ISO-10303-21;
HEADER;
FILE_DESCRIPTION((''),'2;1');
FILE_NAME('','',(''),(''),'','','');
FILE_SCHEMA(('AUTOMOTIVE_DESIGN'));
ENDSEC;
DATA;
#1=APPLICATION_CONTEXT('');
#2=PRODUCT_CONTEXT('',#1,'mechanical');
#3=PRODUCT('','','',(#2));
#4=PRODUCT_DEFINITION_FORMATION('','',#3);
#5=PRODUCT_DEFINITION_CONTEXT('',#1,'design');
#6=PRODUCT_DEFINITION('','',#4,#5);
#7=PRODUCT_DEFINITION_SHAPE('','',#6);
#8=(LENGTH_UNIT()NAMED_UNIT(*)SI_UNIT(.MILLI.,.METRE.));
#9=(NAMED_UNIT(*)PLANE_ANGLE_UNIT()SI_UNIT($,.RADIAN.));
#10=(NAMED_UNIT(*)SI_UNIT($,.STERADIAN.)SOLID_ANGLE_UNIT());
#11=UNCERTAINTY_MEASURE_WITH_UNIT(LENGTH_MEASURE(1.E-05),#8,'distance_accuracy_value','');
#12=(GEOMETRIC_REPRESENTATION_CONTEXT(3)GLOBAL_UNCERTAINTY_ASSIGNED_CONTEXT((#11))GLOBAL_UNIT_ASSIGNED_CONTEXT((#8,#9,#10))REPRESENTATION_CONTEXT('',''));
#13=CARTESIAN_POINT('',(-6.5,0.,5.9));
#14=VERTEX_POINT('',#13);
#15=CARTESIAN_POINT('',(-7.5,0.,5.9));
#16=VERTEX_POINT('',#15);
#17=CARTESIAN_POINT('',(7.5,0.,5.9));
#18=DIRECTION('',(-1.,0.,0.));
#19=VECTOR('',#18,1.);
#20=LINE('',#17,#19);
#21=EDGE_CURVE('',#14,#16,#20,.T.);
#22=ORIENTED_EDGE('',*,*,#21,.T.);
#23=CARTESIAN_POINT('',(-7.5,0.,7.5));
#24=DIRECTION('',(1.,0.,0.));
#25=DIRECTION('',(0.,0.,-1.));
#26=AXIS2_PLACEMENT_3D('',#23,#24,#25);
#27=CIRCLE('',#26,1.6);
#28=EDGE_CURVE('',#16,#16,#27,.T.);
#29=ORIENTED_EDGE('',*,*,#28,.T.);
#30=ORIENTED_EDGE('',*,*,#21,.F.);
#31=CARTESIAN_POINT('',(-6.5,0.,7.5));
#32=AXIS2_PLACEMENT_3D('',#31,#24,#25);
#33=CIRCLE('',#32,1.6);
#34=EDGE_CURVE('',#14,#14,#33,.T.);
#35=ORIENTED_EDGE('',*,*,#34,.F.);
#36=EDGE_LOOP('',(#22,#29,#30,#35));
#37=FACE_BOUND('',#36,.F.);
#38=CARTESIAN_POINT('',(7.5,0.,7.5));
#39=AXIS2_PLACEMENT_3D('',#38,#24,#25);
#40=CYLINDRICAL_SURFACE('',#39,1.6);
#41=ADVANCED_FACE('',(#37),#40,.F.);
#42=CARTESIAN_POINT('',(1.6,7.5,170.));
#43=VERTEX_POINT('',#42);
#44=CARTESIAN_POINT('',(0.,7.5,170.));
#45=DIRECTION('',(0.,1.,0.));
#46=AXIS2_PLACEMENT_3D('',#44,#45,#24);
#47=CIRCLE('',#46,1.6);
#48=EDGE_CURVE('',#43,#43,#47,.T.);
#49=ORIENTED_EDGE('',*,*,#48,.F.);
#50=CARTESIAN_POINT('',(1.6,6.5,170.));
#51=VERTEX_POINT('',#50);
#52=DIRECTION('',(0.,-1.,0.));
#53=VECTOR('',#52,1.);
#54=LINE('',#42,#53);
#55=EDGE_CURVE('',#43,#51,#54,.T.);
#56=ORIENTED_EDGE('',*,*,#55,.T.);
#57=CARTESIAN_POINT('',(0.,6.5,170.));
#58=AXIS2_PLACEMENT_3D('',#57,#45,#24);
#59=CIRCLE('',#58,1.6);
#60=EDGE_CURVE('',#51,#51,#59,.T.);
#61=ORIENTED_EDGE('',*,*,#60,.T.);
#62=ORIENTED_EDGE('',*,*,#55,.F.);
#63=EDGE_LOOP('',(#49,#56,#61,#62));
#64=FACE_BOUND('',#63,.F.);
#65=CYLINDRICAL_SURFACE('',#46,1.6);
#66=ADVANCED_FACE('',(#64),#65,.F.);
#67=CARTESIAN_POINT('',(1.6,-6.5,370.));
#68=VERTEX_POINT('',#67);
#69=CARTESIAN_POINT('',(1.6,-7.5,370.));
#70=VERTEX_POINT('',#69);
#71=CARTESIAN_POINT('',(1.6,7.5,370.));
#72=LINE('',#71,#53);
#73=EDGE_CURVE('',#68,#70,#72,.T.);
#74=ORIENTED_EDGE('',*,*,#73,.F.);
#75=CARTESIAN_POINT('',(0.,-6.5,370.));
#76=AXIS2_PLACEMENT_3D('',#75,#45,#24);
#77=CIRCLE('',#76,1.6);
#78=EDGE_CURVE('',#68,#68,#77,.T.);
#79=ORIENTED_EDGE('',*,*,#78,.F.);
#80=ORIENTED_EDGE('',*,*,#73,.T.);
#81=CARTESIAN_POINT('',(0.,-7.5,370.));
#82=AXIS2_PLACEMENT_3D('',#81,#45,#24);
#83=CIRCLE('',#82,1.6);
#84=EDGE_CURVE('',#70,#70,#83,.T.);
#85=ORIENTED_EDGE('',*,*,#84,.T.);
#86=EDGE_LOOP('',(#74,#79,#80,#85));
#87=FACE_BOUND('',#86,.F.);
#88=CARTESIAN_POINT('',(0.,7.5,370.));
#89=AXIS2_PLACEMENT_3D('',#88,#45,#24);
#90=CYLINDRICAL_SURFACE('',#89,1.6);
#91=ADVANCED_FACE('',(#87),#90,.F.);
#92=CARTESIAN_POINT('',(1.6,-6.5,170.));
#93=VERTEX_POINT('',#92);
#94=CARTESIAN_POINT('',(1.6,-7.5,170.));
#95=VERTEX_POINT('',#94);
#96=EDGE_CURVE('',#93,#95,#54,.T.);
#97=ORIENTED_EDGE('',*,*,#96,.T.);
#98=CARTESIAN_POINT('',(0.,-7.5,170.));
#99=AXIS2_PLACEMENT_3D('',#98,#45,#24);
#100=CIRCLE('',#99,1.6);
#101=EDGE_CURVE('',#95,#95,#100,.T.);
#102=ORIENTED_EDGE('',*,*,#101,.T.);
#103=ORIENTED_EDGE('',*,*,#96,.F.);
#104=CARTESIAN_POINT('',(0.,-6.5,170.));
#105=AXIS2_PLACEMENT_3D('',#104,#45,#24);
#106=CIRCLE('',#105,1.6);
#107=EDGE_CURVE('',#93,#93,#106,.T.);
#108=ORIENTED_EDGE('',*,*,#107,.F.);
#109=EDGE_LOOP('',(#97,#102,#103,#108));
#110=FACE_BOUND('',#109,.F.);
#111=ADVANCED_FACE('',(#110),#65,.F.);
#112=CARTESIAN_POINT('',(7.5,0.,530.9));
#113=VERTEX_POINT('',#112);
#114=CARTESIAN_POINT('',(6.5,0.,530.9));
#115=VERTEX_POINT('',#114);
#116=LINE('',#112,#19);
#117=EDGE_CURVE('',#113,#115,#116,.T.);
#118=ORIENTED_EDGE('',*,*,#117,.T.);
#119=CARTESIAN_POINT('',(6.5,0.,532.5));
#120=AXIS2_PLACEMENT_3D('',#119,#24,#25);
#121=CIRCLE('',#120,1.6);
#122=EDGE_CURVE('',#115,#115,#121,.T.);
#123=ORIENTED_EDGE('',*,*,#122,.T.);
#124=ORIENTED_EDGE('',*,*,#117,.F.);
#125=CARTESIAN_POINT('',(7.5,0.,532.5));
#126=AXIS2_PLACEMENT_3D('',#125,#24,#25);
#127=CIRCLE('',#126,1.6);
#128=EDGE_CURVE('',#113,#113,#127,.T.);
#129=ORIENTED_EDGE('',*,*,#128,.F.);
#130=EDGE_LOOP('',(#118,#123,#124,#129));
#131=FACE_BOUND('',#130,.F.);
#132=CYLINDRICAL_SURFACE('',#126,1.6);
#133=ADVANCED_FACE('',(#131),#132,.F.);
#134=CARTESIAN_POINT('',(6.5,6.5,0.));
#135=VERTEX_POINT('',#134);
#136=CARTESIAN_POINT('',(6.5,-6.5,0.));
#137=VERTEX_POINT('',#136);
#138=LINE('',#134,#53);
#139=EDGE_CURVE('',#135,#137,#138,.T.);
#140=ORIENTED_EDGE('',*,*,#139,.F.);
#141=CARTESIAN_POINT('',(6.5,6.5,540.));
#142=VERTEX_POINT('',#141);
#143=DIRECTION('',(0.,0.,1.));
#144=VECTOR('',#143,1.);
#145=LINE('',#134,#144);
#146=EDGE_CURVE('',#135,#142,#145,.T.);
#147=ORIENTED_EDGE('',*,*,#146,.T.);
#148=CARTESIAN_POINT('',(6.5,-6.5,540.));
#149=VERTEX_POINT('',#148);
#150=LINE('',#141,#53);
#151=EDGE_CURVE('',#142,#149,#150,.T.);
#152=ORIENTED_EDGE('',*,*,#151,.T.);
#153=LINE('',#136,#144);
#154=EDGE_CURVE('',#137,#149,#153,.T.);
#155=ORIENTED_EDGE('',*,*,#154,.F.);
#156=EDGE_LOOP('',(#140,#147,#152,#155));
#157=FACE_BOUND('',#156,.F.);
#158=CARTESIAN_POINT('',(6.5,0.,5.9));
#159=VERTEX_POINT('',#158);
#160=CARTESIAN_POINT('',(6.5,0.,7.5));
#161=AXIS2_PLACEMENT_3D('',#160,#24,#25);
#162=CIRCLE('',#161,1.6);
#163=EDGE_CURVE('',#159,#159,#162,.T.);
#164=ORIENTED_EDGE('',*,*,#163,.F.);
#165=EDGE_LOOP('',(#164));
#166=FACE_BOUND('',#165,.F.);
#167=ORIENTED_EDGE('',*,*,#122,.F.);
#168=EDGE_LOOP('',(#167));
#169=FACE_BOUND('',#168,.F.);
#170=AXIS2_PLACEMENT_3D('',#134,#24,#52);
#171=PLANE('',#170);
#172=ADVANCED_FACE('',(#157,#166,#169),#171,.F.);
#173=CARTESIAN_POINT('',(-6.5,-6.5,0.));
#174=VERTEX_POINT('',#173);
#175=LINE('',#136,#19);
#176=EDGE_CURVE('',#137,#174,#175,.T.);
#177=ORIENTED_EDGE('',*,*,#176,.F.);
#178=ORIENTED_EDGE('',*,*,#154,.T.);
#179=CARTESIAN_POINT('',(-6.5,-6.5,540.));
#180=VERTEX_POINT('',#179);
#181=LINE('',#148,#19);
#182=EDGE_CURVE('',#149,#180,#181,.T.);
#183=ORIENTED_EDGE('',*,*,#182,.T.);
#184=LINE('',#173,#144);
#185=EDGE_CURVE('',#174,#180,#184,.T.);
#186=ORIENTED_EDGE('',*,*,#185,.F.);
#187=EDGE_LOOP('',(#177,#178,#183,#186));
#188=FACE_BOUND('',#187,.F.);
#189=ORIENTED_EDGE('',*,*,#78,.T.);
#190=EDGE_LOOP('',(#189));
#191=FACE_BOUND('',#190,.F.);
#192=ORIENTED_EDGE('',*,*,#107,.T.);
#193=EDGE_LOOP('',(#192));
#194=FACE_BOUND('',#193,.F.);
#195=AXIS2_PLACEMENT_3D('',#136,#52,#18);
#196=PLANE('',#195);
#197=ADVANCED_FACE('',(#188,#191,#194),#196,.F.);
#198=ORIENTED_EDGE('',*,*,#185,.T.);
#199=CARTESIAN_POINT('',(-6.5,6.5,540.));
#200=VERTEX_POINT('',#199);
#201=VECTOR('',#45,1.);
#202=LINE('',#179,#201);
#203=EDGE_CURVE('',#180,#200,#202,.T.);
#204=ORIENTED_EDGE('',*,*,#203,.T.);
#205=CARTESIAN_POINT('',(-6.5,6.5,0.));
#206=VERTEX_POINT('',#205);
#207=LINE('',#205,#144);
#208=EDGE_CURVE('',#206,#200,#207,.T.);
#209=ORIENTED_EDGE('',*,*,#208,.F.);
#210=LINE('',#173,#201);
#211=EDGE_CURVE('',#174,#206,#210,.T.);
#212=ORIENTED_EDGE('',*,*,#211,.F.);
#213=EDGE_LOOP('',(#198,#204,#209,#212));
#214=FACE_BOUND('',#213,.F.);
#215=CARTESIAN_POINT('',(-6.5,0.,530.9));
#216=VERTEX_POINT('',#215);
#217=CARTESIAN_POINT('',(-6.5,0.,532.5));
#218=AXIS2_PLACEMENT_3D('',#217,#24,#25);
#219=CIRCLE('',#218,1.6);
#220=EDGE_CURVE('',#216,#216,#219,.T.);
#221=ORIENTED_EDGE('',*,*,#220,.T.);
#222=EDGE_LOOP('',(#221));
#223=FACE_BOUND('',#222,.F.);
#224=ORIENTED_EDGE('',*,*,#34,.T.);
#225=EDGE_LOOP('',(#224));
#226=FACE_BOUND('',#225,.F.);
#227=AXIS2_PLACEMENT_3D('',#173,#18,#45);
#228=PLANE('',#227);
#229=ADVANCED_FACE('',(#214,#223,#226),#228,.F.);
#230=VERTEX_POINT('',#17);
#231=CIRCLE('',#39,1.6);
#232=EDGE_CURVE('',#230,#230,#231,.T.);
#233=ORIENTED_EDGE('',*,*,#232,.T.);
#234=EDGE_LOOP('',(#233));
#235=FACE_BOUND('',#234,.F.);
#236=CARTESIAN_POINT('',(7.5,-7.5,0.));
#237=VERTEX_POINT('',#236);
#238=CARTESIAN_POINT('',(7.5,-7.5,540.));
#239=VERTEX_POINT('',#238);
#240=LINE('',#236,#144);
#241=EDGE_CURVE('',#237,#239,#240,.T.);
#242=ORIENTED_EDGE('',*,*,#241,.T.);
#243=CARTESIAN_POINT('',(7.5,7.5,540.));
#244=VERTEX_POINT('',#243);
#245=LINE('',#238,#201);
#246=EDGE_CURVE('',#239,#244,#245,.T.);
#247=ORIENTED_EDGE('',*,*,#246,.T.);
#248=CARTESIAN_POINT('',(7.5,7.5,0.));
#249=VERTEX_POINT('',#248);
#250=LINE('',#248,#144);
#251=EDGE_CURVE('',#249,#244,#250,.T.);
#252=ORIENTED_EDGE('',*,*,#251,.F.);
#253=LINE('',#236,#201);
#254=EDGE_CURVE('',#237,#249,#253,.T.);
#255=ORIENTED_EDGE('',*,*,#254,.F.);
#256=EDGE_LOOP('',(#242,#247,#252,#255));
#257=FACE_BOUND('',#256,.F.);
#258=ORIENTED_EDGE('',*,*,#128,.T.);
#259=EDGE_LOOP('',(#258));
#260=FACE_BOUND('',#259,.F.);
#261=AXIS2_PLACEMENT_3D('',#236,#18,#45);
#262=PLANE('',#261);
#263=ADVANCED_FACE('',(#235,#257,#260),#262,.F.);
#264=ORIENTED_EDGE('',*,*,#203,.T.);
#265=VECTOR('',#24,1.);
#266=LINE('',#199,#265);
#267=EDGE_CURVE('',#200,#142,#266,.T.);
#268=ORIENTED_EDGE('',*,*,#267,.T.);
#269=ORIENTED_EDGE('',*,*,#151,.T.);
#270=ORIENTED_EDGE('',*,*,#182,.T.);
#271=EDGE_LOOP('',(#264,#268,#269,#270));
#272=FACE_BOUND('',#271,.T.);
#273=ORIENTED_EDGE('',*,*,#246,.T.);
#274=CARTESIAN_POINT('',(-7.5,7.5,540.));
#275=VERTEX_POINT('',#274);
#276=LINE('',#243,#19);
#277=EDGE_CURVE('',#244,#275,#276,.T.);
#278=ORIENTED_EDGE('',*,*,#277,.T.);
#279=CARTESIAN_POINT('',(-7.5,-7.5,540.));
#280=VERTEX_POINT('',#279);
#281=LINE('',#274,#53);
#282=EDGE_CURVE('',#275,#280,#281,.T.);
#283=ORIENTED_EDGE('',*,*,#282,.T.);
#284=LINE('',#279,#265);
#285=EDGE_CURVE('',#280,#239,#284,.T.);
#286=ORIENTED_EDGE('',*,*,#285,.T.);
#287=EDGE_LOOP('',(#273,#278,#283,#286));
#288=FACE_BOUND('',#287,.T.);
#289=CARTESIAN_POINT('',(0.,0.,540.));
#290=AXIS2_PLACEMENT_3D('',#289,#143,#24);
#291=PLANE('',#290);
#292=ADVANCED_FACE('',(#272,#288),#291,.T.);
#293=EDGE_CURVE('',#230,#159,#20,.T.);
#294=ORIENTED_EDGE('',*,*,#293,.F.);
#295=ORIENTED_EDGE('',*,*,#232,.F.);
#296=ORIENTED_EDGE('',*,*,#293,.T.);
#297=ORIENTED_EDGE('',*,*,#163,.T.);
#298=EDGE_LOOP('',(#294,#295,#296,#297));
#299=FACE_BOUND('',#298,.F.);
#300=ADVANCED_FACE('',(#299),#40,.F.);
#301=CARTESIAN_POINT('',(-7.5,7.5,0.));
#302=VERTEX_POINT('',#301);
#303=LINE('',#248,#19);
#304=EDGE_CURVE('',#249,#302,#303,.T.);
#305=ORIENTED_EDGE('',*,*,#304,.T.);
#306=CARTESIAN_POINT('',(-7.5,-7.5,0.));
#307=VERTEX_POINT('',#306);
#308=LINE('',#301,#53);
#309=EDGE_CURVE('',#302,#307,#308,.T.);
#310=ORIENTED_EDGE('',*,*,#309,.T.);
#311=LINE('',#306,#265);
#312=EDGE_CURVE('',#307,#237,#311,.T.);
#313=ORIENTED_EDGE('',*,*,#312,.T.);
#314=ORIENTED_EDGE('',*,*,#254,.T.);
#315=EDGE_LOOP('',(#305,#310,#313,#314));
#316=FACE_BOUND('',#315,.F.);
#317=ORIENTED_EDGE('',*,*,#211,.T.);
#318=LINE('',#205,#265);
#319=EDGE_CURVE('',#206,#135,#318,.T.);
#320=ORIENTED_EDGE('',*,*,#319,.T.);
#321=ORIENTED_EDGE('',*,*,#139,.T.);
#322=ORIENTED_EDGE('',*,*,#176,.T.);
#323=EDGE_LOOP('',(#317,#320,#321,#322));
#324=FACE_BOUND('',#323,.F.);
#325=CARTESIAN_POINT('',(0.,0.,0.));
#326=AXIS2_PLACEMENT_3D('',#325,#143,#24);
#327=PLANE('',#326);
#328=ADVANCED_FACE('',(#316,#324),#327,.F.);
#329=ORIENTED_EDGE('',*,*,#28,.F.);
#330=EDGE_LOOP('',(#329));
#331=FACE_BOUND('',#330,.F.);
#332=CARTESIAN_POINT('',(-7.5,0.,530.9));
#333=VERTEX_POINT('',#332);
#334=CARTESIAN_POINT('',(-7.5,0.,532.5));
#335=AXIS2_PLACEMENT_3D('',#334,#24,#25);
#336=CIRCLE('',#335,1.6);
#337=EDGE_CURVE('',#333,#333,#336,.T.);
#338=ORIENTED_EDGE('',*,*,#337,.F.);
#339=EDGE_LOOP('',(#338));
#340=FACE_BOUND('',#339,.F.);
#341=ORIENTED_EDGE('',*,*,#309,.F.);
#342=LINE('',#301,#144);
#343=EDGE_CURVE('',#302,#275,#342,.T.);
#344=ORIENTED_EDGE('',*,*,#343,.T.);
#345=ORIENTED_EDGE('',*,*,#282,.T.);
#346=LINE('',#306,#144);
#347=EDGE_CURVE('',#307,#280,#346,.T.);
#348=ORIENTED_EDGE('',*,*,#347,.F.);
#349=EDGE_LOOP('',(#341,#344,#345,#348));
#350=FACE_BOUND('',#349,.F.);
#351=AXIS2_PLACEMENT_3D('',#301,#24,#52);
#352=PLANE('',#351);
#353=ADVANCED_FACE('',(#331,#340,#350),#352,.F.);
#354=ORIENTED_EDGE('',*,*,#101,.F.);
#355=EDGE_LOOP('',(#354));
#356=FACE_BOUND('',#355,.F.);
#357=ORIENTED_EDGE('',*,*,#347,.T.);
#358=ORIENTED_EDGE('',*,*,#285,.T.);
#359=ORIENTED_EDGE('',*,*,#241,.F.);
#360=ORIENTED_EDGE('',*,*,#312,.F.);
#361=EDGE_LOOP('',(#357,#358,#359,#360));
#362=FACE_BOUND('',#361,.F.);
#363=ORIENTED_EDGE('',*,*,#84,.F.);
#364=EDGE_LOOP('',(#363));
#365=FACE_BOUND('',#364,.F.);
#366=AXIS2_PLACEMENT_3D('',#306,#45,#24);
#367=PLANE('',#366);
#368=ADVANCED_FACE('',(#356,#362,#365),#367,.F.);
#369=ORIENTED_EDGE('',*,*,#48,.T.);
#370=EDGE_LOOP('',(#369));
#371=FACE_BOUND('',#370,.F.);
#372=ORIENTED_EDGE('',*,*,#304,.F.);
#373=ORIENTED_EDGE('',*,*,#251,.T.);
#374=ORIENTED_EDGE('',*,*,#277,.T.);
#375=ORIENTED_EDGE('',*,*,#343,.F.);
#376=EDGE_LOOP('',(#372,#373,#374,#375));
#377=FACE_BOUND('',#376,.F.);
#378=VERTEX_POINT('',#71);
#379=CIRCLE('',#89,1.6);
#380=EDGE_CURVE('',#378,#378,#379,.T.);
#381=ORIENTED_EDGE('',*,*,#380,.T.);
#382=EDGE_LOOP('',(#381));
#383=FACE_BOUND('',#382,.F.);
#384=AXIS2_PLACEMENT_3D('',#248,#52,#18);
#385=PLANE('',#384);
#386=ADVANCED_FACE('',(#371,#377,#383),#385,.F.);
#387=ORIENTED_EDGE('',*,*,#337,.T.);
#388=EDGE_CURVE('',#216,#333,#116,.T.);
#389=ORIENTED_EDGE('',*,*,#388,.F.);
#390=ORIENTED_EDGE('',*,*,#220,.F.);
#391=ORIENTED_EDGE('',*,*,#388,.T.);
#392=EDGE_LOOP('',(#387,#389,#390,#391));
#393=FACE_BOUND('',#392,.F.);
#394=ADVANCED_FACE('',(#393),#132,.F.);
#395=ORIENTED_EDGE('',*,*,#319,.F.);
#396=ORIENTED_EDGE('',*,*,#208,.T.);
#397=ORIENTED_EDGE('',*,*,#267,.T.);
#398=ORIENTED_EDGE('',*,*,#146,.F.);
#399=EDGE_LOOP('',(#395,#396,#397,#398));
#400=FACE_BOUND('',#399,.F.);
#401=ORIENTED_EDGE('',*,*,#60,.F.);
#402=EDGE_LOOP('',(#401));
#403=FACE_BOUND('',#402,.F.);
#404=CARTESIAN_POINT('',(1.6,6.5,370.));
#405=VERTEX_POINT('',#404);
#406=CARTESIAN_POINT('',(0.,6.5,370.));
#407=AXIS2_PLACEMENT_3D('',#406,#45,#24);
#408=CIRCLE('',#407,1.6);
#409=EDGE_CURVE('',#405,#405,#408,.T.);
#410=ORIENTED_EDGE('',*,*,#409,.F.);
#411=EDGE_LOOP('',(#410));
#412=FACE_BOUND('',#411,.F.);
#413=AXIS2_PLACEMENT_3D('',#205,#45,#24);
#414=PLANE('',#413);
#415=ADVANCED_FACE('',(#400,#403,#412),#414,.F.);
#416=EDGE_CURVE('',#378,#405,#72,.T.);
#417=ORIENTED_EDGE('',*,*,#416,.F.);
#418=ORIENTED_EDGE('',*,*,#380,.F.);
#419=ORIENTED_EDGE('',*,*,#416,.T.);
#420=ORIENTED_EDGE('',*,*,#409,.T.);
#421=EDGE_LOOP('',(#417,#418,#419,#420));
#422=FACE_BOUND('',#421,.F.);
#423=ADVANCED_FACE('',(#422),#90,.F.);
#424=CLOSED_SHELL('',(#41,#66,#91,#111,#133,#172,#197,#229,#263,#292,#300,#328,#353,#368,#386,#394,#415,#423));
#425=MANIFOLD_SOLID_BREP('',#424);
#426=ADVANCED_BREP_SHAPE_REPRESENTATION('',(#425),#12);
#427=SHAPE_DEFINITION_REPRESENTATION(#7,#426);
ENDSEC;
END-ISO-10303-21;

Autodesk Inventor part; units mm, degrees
ref_plane "YZ Plane" through (0, 0, 0) normal (1, 0, 0) x (0, 1, 0)
ref_plane "XZ Plane" through (0, 0, 0) normal (0, 1, 0) x (-1, 0, 0)
ref_plane "XY Plane" through (0, 0, 0) normal (0, 0, 1) x (1, 0, 0)
sketch "スケッチ1" plane through (0, 0, 0) normal (0, 0, 1) x (1, 0, 0)
  line L0 (7.5, 7.5) -> (-7.5, 7.5)
  line L1 (-7.5, 7.5) -> (-7.5, -7.5)
  line L2 (-7.5, -7.5) -> (7.5, -7.5)
  line L3 (7.5, -7.5) -> (7.5, 7.5)
  line L4 (7.5, 7.5) -> (-7.5, -7.5) construction
  line L5 (-7.5, 7.5) -> (7.5, -7.5) construction
  line L6 (-6.5, 6.5) -> (6.5, 6.5)
  line L7 (6.5, 6.5) -> (6.5, -6.5)
  line L8 (6.5, -6.5) -> (-6.5, -6.5)
  line L9 (-6.5, -6.5) -> (-6.5, 6.5)
  point P0 (0, 0)
  dimension "d0" = 15
  dimension "d1" = 15
  dimension "d2" = 1
extrude "押し出し1" add sketch "スケッチ1" along normal blind 540
sketch "スケッチ2" plane through (7.5, -7.5, 0) normal (1, 0, 0) x (0, 0, -1)
  circle A0 centre (-7.5, 7.5) radius 1.6
  line L0 (0, 15) -> (-540, 15) projected
  circle A1 centre (-532.5, 7.5) radius 1.6
  line L1 (-540, 0) -> (-540, 15) projected
  point P0 (0, 7.5)
  dimension "d5" = 3.2
  dimension "d6" = 7.5
  dimension "d7" = 7.5
  dimension "d8" = 3.2
  dimension "d9" = 7.5
  dimension "d10" = 7.5
extrude "押し出し2" cut sketch "スケッチ2" against normal through all
sketch "スケッチ3" plane through (-7.5, 7.5, 0) normal (0, 1, 0) x (1, 0, 0)
  circle A0 centre (7.5, -170) radius 1.6
  circle A1 centre (7.5, -370) radius 1.6
  line L0 (15, 0) -> (0, 0) projected
  point P0 (7.5, 0)
  point P1 (7.5, 0)
  dimension "d13" = 3.2
  dimension "d14" = 3.2
  dimension "d15" = 200
  dimension "d16" = 170
extrude "押し出し3" cut sketch "スケッチ3" against normal through all
properties part number "プレート保持_角柱2"
